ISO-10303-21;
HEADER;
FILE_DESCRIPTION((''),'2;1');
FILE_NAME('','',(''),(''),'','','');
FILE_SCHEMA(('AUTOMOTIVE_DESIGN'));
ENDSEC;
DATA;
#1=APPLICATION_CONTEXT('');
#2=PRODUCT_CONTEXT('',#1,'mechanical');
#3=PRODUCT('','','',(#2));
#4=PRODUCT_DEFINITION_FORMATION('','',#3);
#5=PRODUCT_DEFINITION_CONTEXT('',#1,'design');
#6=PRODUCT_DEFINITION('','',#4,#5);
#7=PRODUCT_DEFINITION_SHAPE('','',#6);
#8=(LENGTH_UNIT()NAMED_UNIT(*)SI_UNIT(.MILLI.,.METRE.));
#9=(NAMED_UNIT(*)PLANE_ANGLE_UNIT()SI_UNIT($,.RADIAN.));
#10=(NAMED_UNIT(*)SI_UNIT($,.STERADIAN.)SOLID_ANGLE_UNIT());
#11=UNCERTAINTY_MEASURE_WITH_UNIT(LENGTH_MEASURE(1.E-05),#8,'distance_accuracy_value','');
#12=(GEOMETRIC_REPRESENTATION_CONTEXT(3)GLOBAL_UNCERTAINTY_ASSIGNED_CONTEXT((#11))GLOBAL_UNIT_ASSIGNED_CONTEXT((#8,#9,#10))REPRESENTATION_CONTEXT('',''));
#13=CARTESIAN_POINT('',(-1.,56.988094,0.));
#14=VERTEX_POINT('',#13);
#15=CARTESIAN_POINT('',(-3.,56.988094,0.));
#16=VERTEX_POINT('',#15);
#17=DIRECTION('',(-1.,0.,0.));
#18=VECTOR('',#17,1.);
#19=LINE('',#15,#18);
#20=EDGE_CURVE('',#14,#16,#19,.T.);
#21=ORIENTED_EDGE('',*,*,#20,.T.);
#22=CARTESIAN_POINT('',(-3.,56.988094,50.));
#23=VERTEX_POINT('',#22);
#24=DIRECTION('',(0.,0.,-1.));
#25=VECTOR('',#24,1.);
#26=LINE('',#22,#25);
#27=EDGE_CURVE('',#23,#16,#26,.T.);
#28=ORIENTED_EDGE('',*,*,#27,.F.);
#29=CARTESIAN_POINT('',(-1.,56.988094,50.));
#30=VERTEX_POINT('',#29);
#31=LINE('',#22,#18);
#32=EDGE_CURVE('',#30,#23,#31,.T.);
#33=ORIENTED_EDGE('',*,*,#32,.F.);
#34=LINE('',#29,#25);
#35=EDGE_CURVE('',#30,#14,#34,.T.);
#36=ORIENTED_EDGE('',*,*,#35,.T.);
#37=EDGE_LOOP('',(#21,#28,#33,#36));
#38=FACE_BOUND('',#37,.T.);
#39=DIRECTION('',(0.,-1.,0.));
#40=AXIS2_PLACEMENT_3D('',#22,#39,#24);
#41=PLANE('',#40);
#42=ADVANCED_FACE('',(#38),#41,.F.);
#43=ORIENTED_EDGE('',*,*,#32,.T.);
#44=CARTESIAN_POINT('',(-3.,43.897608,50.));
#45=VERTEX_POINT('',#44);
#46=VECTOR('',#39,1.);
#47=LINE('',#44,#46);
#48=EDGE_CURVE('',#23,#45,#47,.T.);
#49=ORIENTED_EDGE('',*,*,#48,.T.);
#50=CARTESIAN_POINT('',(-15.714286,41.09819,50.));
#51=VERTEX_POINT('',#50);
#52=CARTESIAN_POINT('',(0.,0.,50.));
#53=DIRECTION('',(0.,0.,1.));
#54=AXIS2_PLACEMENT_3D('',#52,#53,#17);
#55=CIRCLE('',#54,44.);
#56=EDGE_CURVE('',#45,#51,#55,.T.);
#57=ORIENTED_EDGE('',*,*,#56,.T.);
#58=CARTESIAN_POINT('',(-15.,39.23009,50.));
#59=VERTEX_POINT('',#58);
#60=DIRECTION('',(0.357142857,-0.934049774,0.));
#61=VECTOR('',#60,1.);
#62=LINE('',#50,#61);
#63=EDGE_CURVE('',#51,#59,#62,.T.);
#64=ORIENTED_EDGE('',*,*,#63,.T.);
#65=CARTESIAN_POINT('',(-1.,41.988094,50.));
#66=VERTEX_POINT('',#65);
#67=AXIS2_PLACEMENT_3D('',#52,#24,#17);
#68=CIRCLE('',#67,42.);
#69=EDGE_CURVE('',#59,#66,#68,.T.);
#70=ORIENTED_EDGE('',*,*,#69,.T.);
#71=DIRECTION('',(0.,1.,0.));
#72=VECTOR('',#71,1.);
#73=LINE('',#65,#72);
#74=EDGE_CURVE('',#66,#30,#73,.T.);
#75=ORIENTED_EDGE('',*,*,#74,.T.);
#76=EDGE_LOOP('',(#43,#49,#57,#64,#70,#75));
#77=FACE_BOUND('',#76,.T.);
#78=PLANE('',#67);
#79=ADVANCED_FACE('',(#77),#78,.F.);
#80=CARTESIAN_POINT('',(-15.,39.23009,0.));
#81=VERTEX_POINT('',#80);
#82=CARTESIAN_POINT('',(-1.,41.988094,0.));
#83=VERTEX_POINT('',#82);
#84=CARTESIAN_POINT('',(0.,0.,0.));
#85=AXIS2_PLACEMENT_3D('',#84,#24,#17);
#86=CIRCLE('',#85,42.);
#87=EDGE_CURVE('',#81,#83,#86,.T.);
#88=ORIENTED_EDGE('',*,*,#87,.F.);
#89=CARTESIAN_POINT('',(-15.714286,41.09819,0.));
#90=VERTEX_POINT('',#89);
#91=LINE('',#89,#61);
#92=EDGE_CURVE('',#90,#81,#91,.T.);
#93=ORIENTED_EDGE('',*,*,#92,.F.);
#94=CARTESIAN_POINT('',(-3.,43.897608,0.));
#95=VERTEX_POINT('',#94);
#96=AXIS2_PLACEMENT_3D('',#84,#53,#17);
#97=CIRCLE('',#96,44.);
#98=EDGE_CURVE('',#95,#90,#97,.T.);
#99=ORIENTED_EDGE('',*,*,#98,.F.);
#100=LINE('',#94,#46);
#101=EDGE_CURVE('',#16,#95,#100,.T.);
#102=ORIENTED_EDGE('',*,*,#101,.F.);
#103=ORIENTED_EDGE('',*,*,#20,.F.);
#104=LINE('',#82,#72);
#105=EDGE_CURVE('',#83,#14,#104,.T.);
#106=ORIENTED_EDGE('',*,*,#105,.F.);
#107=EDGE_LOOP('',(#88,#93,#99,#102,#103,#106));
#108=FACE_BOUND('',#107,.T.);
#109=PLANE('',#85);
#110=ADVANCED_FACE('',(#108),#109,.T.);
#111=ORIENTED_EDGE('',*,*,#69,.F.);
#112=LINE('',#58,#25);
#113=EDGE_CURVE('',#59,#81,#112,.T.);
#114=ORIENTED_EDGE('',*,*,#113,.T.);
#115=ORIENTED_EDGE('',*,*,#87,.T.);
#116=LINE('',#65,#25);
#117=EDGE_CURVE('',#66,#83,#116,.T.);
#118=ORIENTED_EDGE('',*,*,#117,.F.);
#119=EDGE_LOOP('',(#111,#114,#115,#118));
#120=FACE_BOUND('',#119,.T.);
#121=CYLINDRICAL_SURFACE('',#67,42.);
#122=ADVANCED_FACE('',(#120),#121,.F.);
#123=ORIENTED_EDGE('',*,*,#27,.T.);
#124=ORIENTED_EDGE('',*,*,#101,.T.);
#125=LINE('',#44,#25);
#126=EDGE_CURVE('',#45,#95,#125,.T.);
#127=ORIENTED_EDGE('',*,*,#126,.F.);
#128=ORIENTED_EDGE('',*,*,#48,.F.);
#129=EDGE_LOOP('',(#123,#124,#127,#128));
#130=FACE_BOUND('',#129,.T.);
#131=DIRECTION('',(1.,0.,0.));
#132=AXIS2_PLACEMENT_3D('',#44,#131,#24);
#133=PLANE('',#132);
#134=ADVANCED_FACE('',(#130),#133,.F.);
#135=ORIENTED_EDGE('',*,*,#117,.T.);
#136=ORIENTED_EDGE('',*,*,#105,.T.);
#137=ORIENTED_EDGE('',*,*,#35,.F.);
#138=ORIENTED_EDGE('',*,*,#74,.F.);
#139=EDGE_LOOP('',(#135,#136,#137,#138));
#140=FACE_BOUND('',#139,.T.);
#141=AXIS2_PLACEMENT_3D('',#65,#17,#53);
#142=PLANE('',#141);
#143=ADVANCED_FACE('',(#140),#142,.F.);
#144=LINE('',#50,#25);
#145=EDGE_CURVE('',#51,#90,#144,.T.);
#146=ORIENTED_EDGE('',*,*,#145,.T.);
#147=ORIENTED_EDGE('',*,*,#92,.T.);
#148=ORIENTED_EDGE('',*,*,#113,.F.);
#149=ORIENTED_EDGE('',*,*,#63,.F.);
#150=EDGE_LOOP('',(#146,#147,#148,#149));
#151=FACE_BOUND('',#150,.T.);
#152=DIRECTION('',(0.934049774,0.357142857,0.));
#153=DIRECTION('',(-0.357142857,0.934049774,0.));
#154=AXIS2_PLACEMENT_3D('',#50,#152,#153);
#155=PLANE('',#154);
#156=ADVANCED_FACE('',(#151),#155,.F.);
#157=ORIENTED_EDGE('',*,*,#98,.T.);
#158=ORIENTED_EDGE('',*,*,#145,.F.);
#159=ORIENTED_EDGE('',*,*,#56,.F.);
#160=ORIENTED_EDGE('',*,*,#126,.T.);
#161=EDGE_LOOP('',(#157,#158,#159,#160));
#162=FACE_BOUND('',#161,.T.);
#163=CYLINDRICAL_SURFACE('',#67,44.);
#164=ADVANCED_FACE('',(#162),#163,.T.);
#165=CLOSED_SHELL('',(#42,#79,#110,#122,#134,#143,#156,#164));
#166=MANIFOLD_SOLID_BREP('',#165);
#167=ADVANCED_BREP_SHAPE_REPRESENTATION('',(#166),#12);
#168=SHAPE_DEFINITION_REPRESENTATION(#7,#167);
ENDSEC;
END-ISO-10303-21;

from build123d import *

# Parameters (mm, degrees)
BOSS_EXTRUDE1_DEPTH = 50


with BuildPart() as part:
    # Sketch1 → Boss-Extrude1 (new body)
    with BuildSketch(Plane.XY):
        with BuildLine():
            Line((-1, 41.98809355), (-1, 56.98809355))
            Line((-1, 56.98809355), (-3, 56.98809355))
            Line((-3, 56.98809355), (-3, 43.897608135))
            ThreePointArc((-3, 43.897608135), (-9.461252976, 42.97074228), (-15.714285714, 41.098190039))
            Line((-15.714285714, 41.098190039), (-15, 39.230090492))
            ThreePointArc((-15, 39.230090492), (-8.117982829, 41.207988968), (-1, 41.98809355))
        make_face()
    extrude(amount=BOSS_EXTRUDE1_DEPTH)


solid = part.part
